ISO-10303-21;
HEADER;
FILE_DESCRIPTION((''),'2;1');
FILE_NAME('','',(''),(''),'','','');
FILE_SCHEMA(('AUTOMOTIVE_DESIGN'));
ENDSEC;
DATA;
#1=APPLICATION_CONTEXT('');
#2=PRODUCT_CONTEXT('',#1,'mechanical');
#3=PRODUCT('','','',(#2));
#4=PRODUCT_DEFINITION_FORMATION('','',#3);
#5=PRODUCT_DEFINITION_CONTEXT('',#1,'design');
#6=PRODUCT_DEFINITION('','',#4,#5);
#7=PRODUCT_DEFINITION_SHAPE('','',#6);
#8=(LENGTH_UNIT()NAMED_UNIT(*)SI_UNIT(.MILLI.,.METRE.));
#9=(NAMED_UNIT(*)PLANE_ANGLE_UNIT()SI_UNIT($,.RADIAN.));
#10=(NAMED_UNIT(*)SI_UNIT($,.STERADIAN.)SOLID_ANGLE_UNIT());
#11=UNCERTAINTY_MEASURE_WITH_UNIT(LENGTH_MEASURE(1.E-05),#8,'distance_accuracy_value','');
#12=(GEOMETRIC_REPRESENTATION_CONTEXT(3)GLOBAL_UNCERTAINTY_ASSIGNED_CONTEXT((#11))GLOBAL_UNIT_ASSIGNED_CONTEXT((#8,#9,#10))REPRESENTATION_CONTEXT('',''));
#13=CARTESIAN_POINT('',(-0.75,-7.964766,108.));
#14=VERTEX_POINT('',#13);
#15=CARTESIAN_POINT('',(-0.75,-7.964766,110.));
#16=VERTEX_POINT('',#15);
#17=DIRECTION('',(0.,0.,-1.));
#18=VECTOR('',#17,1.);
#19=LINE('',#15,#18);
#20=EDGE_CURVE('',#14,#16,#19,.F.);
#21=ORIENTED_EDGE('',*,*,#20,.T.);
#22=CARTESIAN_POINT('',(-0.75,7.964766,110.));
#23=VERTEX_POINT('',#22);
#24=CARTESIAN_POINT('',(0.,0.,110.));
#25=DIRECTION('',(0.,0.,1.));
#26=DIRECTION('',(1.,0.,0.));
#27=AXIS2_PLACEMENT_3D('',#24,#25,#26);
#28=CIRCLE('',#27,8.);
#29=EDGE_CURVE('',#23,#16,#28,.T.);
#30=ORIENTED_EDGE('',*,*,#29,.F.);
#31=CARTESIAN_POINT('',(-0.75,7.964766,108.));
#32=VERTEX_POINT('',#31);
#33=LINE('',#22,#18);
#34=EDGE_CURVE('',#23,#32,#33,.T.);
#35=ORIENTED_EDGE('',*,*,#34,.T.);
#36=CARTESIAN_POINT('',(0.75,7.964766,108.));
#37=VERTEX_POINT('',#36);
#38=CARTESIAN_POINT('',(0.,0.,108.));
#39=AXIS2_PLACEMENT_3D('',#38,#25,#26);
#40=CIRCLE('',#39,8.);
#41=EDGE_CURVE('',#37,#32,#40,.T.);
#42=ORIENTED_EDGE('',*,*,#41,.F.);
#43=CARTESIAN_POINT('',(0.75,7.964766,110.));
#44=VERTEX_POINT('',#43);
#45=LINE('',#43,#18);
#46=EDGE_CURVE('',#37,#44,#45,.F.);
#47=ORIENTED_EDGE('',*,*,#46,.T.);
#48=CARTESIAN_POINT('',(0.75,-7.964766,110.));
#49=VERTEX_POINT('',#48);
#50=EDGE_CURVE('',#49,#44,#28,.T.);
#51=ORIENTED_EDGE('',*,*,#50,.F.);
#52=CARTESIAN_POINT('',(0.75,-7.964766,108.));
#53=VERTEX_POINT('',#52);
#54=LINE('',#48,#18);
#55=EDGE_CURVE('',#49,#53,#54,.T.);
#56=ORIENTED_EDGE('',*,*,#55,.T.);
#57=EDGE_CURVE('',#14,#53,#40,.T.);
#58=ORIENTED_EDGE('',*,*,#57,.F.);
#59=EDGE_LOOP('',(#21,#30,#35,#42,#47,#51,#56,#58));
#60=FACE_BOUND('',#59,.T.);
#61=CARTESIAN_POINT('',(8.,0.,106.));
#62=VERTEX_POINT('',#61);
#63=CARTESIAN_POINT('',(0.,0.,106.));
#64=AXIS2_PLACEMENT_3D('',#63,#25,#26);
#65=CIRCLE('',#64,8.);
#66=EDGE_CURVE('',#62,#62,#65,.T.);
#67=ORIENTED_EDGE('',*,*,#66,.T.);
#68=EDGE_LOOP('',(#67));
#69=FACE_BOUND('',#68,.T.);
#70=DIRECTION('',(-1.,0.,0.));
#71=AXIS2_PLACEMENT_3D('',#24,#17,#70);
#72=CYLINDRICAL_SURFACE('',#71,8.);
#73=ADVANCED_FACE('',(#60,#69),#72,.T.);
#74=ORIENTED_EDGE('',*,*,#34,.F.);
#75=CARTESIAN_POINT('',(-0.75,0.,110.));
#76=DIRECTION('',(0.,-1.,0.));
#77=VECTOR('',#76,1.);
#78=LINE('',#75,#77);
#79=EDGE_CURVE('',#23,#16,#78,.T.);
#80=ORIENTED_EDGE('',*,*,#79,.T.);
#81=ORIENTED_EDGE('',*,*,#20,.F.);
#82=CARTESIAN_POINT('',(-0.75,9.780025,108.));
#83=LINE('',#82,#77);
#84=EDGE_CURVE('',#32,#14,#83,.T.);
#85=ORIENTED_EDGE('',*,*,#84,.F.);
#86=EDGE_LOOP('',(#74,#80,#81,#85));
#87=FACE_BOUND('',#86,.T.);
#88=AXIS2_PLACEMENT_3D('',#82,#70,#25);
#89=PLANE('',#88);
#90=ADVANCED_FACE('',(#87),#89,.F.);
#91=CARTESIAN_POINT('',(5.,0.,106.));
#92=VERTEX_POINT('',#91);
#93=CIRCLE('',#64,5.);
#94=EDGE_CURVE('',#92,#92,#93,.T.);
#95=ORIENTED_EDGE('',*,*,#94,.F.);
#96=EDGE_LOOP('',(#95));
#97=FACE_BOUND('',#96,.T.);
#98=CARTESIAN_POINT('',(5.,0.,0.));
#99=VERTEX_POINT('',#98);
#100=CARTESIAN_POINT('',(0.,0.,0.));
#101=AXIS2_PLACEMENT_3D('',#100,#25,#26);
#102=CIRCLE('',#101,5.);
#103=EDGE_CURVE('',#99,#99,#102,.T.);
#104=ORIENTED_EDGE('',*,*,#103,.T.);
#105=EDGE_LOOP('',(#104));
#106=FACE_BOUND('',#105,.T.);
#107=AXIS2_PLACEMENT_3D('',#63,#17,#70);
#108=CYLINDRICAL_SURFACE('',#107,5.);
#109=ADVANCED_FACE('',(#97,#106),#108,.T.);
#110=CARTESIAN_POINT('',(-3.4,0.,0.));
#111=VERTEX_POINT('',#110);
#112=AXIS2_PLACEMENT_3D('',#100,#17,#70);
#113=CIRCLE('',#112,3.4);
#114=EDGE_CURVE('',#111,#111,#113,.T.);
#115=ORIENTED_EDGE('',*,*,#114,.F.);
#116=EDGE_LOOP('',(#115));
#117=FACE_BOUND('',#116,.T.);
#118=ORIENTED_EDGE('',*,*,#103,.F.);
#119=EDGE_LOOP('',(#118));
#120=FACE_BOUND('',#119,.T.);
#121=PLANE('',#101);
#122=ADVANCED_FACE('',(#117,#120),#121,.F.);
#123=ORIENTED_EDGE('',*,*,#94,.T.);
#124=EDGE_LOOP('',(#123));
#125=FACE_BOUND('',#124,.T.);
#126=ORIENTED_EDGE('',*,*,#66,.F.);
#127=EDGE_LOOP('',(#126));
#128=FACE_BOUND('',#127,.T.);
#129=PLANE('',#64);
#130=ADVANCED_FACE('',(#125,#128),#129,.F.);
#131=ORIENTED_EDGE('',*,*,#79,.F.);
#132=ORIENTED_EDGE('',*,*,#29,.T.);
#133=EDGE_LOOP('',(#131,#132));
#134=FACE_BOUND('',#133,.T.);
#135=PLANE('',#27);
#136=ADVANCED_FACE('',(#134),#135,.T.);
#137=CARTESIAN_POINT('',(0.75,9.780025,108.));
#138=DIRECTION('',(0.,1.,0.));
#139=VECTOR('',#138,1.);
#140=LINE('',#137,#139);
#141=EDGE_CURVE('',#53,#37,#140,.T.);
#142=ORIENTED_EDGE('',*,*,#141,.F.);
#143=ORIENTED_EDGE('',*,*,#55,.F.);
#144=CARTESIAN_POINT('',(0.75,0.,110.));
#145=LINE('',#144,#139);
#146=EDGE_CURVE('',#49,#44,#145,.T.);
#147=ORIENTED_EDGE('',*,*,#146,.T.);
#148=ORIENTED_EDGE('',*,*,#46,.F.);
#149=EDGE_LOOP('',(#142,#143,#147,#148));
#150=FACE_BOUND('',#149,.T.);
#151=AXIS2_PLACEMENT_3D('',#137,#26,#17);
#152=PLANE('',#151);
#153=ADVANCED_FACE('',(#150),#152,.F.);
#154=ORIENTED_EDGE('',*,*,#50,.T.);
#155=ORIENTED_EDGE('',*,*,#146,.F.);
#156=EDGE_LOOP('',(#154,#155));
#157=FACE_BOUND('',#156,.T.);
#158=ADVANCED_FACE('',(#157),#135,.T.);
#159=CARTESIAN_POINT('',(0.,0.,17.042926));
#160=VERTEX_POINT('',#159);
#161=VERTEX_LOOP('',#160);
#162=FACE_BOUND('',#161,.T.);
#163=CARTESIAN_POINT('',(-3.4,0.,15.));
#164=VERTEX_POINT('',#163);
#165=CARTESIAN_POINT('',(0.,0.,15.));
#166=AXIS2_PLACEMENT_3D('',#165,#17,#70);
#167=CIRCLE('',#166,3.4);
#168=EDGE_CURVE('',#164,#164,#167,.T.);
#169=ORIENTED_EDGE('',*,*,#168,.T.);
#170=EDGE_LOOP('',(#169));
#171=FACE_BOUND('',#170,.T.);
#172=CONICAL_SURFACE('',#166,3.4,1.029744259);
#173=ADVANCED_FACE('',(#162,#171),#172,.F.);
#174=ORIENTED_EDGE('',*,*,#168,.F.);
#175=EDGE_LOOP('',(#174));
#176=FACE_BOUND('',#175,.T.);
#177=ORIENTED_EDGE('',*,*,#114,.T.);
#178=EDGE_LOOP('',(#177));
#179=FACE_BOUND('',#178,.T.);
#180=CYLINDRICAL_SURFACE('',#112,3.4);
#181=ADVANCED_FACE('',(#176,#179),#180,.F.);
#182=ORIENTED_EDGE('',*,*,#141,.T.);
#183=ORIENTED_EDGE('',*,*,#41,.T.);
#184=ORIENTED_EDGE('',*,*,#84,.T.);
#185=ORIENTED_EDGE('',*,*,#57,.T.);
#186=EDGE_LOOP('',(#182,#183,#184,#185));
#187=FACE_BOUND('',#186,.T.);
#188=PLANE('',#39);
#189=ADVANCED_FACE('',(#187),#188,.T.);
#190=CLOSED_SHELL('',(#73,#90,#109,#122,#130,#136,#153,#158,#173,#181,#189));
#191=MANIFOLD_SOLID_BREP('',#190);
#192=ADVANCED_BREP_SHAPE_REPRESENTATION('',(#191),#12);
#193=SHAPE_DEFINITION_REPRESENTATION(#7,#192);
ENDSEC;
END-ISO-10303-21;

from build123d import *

# Parameters (mm, degrees)
SKETCH_1_R             = 5
EXTRUDE_1_DEPTH        = 106
SKETCH_2_R             = 8
EXTRUDE_2_DEPTH        = 4
SKETCH_4_W             = 1.5
SKETCH_4_H             = 19.56005024
CUT_EXTRUDE_1_DEPTH    = 2
HOLE_WIZARD_M8_1_D     = 6.8
HOLE_WIZARD_M8_1_DEPTH = 15
HOLE_WIZARD_M8_1_TIP   = 2.042926105


with BuildPart() as part:
    # 草图1 → 凸台-拉伸1 (new body)
    with BuildSketch(Plane.XY):
        Circle(SKETCH_1_R)
    extrude(amount=EXTRUDE_1_DEPTH)

    # 草图2 → 凸台-拉伸2 (add)
    with BuildSketch(Plane.XY.offset(106)):
        Circle(SKETCH_2_R)
    extrude(amount=EXTRUDE_2_DEPTH)

    # 草图4 → 切除-拉伸1 (cut)
    with BuildSketch(Plane.XY.offset(110)):
        Rectangle(SKETCH_4_W, SKETCH_4_H)
    extrude(amount=-CUT_EXTRUDE_1_DEPTH, mode=Mode.SUBTRACT)

    # M8 螺纹孔的螺纹孔钻头1
    with Locations(Plane(origin=(0, 0, 0), x_dir=(-1, 0, 0), z_dir=(0, 0, -1))):
        with Locations((0, 0)):
            Hole(HOLE_WIZARD_M8_1_D / 2, depth=HOLE_WIZARD_M8_1_DEPTH)
            with Locations((0, 0, -(HOLE_WIZARD_M8_1_DEPTH + HOLE_WIZARD_M8_1_TIP / 2))):  # 118° drill point
                Cone(0, HOLE_WIZARD_M8_1_D / 2, HOLE_WIZARD_M8_1_TIP, mode=Mode.SUBTRACT)


solid = part.part
